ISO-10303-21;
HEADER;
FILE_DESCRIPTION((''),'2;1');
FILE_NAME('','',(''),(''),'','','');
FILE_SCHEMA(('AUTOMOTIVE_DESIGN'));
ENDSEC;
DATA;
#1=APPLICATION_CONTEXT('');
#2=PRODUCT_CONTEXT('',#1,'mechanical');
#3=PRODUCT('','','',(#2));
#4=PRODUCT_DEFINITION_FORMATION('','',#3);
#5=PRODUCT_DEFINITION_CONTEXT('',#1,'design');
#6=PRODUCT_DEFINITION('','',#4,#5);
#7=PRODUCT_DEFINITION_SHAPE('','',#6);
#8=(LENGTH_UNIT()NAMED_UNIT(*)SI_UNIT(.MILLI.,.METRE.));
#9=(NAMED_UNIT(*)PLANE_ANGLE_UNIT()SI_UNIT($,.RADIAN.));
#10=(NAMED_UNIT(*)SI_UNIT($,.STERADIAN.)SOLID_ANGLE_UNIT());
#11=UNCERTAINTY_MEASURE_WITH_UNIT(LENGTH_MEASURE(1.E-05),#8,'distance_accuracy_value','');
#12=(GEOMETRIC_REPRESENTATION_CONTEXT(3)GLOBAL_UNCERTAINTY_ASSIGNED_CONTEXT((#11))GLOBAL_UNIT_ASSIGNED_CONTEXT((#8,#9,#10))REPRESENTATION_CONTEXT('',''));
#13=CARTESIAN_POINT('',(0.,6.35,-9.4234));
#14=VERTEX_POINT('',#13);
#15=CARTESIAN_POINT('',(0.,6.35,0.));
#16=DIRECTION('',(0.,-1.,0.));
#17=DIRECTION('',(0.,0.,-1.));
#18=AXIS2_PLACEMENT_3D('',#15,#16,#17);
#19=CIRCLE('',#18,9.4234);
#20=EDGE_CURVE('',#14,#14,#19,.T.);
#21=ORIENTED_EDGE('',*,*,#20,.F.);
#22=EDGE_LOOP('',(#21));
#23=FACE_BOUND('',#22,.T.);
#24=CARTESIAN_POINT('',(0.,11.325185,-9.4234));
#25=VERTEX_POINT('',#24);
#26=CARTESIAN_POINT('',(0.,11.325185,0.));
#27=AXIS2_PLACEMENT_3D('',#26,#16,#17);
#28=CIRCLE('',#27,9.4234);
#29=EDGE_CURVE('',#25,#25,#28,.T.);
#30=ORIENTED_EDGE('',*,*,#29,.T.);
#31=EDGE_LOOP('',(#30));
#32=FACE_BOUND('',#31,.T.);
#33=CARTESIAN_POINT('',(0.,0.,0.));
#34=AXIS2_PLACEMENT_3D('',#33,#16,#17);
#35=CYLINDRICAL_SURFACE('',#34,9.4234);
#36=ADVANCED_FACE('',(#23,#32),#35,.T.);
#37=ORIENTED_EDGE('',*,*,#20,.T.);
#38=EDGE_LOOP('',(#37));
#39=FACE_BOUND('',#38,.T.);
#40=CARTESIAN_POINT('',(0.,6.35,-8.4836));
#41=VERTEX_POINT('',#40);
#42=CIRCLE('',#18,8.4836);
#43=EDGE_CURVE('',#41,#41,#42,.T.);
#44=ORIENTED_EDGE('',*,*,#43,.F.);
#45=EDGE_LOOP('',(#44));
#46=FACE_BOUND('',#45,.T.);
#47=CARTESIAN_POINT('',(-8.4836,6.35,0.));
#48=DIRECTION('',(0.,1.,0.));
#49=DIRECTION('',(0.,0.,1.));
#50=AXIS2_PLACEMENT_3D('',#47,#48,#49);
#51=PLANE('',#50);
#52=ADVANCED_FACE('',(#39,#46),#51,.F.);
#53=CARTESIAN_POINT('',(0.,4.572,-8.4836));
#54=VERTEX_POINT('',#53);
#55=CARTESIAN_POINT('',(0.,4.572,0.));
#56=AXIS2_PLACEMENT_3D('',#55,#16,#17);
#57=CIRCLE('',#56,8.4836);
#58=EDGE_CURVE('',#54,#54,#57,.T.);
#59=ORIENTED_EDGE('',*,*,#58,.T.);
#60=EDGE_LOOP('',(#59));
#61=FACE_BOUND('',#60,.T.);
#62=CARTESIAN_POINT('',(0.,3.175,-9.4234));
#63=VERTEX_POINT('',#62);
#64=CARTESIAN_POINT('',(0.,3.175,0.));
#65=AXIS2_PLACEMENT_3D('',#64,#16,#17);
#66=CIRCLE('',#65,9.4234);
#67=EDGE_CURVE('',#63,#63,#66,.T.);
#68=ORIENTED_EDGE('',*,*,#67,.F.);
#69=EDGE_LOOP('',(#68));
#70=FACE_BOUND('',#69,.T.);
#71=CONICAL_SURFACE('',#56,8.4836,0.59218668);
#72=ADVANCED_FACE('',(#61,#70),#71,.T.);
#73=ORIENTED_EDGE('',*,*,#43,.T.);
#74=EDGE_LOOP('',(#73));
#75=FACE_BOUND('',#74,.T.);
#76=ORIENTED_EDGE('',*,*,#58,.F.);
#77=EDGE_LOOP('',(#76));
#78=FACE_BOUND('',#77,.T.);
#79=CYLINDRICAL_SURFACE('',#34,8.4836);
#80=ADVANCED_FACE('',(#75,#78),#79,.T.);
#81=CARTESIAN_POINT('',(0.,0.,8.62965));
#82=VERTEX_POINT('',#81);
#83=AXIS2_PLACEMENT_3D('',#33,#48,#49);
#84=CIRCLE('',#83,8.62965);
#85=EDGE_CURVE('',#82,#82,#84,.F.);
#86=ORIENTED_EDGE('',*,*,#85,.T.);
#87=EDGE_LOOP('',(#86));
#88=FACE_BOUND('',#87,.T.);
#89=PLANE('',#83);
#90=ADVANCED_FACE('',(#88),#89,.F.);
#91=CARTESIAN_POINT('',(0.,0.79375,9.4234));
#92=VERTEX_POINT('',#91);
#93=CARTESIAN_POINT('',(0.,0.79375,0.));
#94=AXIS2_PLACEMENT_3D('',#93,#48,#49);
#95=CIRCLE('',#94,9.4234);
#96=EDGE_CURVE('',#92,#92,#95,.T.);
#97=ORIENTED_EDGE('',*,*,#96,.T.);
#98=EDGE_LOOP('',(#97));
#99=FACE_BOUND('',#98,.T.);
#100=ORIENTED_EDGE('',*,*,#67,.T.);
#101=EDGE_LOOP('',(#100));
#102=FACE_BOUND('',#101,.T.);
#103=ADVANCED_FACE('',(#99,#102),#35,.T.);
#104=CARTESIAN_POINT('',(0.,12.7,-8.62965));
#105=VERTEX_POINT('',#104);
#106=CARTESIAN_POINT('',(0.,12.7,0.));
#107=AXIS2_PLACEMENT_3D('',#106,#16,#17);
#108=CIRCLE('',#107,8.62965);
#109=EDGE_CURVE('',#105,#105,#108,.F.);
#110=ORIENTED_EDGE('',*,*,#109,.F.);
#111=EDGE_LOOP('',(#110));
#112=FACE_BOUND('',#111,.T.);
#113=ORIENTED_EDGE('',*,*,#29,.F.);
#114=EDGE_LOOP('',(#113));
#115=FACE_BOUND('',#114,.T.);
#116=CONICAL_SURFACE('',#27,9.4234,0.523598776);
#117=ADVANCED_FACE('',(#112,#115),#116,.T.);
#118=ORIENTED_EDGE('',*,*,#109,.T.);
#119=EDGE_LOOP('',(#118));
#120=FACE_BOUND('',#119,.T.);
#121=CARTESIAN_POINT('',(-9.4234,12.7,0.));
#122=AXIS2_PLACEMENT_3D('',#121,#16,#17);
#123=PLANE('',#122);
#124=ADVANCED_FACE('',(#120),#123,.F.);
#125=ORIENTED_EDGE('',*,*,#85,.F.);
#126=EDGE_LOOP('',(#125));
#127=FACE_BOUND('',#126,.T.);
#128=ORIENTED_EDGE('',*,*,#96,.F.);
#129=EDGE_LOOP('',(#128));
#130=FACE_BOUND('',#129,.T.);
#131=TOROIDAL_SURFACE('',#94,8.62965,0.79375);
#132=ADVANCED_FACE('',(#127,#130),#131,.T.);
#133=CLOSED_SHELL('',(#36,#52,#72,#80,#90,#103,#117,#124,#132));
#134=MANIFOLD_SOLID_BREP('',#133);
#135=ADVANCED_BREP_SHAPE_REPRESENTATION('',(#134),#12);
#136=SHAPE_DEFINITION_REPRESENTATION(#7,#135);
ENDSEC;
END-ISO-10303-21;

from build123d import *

# Parameters (mm, degrees)
FILLET1_R      = 0.79375
CHAMFER1_SIZE  = 0.79375
CHAMFER1_SIZE2 = 1.374815329


with BuildPart() as part:
    # Sketch1 → Revolve1 (revolve)
    with BuildSketch(Plane.XY):
        Polygon((0, 0), (-9.4234, 0), (-9.4234, 3.175), (-8.4836, 4.572), (-8.4836, 6.35), (-9.4234, 6.35), (-9.4234, 12.7), (0, 12.7), align=None)
    revolve(axis=Axis((0, 0, 0), (0, 1, 0)))

    # Fillet1
    fillet1_edges = [part.edges().sort_by_distance(p)[0] for p in [
        (9.4234, 0, 0),
    ]]
    fillet(fillet1_edges, radius=FILLET1_R)

    # Chamfer1
    chamfer1_edges = [part.edges().sort_by_distance(p)[0] for p in [
        (9.4234, 12.7, 0),
    ]]
    chamfer1_side = [part.faces().sort_by_distance(p)[0] for p in [
        (0, 12.7, 0),
    ]]
    chamfer(chamfer1_edges, length=CHAMFER1_SIZE, length2=CHAMFER1_SIZE2, reference=chamfer1_side[0])


solid = part.part
